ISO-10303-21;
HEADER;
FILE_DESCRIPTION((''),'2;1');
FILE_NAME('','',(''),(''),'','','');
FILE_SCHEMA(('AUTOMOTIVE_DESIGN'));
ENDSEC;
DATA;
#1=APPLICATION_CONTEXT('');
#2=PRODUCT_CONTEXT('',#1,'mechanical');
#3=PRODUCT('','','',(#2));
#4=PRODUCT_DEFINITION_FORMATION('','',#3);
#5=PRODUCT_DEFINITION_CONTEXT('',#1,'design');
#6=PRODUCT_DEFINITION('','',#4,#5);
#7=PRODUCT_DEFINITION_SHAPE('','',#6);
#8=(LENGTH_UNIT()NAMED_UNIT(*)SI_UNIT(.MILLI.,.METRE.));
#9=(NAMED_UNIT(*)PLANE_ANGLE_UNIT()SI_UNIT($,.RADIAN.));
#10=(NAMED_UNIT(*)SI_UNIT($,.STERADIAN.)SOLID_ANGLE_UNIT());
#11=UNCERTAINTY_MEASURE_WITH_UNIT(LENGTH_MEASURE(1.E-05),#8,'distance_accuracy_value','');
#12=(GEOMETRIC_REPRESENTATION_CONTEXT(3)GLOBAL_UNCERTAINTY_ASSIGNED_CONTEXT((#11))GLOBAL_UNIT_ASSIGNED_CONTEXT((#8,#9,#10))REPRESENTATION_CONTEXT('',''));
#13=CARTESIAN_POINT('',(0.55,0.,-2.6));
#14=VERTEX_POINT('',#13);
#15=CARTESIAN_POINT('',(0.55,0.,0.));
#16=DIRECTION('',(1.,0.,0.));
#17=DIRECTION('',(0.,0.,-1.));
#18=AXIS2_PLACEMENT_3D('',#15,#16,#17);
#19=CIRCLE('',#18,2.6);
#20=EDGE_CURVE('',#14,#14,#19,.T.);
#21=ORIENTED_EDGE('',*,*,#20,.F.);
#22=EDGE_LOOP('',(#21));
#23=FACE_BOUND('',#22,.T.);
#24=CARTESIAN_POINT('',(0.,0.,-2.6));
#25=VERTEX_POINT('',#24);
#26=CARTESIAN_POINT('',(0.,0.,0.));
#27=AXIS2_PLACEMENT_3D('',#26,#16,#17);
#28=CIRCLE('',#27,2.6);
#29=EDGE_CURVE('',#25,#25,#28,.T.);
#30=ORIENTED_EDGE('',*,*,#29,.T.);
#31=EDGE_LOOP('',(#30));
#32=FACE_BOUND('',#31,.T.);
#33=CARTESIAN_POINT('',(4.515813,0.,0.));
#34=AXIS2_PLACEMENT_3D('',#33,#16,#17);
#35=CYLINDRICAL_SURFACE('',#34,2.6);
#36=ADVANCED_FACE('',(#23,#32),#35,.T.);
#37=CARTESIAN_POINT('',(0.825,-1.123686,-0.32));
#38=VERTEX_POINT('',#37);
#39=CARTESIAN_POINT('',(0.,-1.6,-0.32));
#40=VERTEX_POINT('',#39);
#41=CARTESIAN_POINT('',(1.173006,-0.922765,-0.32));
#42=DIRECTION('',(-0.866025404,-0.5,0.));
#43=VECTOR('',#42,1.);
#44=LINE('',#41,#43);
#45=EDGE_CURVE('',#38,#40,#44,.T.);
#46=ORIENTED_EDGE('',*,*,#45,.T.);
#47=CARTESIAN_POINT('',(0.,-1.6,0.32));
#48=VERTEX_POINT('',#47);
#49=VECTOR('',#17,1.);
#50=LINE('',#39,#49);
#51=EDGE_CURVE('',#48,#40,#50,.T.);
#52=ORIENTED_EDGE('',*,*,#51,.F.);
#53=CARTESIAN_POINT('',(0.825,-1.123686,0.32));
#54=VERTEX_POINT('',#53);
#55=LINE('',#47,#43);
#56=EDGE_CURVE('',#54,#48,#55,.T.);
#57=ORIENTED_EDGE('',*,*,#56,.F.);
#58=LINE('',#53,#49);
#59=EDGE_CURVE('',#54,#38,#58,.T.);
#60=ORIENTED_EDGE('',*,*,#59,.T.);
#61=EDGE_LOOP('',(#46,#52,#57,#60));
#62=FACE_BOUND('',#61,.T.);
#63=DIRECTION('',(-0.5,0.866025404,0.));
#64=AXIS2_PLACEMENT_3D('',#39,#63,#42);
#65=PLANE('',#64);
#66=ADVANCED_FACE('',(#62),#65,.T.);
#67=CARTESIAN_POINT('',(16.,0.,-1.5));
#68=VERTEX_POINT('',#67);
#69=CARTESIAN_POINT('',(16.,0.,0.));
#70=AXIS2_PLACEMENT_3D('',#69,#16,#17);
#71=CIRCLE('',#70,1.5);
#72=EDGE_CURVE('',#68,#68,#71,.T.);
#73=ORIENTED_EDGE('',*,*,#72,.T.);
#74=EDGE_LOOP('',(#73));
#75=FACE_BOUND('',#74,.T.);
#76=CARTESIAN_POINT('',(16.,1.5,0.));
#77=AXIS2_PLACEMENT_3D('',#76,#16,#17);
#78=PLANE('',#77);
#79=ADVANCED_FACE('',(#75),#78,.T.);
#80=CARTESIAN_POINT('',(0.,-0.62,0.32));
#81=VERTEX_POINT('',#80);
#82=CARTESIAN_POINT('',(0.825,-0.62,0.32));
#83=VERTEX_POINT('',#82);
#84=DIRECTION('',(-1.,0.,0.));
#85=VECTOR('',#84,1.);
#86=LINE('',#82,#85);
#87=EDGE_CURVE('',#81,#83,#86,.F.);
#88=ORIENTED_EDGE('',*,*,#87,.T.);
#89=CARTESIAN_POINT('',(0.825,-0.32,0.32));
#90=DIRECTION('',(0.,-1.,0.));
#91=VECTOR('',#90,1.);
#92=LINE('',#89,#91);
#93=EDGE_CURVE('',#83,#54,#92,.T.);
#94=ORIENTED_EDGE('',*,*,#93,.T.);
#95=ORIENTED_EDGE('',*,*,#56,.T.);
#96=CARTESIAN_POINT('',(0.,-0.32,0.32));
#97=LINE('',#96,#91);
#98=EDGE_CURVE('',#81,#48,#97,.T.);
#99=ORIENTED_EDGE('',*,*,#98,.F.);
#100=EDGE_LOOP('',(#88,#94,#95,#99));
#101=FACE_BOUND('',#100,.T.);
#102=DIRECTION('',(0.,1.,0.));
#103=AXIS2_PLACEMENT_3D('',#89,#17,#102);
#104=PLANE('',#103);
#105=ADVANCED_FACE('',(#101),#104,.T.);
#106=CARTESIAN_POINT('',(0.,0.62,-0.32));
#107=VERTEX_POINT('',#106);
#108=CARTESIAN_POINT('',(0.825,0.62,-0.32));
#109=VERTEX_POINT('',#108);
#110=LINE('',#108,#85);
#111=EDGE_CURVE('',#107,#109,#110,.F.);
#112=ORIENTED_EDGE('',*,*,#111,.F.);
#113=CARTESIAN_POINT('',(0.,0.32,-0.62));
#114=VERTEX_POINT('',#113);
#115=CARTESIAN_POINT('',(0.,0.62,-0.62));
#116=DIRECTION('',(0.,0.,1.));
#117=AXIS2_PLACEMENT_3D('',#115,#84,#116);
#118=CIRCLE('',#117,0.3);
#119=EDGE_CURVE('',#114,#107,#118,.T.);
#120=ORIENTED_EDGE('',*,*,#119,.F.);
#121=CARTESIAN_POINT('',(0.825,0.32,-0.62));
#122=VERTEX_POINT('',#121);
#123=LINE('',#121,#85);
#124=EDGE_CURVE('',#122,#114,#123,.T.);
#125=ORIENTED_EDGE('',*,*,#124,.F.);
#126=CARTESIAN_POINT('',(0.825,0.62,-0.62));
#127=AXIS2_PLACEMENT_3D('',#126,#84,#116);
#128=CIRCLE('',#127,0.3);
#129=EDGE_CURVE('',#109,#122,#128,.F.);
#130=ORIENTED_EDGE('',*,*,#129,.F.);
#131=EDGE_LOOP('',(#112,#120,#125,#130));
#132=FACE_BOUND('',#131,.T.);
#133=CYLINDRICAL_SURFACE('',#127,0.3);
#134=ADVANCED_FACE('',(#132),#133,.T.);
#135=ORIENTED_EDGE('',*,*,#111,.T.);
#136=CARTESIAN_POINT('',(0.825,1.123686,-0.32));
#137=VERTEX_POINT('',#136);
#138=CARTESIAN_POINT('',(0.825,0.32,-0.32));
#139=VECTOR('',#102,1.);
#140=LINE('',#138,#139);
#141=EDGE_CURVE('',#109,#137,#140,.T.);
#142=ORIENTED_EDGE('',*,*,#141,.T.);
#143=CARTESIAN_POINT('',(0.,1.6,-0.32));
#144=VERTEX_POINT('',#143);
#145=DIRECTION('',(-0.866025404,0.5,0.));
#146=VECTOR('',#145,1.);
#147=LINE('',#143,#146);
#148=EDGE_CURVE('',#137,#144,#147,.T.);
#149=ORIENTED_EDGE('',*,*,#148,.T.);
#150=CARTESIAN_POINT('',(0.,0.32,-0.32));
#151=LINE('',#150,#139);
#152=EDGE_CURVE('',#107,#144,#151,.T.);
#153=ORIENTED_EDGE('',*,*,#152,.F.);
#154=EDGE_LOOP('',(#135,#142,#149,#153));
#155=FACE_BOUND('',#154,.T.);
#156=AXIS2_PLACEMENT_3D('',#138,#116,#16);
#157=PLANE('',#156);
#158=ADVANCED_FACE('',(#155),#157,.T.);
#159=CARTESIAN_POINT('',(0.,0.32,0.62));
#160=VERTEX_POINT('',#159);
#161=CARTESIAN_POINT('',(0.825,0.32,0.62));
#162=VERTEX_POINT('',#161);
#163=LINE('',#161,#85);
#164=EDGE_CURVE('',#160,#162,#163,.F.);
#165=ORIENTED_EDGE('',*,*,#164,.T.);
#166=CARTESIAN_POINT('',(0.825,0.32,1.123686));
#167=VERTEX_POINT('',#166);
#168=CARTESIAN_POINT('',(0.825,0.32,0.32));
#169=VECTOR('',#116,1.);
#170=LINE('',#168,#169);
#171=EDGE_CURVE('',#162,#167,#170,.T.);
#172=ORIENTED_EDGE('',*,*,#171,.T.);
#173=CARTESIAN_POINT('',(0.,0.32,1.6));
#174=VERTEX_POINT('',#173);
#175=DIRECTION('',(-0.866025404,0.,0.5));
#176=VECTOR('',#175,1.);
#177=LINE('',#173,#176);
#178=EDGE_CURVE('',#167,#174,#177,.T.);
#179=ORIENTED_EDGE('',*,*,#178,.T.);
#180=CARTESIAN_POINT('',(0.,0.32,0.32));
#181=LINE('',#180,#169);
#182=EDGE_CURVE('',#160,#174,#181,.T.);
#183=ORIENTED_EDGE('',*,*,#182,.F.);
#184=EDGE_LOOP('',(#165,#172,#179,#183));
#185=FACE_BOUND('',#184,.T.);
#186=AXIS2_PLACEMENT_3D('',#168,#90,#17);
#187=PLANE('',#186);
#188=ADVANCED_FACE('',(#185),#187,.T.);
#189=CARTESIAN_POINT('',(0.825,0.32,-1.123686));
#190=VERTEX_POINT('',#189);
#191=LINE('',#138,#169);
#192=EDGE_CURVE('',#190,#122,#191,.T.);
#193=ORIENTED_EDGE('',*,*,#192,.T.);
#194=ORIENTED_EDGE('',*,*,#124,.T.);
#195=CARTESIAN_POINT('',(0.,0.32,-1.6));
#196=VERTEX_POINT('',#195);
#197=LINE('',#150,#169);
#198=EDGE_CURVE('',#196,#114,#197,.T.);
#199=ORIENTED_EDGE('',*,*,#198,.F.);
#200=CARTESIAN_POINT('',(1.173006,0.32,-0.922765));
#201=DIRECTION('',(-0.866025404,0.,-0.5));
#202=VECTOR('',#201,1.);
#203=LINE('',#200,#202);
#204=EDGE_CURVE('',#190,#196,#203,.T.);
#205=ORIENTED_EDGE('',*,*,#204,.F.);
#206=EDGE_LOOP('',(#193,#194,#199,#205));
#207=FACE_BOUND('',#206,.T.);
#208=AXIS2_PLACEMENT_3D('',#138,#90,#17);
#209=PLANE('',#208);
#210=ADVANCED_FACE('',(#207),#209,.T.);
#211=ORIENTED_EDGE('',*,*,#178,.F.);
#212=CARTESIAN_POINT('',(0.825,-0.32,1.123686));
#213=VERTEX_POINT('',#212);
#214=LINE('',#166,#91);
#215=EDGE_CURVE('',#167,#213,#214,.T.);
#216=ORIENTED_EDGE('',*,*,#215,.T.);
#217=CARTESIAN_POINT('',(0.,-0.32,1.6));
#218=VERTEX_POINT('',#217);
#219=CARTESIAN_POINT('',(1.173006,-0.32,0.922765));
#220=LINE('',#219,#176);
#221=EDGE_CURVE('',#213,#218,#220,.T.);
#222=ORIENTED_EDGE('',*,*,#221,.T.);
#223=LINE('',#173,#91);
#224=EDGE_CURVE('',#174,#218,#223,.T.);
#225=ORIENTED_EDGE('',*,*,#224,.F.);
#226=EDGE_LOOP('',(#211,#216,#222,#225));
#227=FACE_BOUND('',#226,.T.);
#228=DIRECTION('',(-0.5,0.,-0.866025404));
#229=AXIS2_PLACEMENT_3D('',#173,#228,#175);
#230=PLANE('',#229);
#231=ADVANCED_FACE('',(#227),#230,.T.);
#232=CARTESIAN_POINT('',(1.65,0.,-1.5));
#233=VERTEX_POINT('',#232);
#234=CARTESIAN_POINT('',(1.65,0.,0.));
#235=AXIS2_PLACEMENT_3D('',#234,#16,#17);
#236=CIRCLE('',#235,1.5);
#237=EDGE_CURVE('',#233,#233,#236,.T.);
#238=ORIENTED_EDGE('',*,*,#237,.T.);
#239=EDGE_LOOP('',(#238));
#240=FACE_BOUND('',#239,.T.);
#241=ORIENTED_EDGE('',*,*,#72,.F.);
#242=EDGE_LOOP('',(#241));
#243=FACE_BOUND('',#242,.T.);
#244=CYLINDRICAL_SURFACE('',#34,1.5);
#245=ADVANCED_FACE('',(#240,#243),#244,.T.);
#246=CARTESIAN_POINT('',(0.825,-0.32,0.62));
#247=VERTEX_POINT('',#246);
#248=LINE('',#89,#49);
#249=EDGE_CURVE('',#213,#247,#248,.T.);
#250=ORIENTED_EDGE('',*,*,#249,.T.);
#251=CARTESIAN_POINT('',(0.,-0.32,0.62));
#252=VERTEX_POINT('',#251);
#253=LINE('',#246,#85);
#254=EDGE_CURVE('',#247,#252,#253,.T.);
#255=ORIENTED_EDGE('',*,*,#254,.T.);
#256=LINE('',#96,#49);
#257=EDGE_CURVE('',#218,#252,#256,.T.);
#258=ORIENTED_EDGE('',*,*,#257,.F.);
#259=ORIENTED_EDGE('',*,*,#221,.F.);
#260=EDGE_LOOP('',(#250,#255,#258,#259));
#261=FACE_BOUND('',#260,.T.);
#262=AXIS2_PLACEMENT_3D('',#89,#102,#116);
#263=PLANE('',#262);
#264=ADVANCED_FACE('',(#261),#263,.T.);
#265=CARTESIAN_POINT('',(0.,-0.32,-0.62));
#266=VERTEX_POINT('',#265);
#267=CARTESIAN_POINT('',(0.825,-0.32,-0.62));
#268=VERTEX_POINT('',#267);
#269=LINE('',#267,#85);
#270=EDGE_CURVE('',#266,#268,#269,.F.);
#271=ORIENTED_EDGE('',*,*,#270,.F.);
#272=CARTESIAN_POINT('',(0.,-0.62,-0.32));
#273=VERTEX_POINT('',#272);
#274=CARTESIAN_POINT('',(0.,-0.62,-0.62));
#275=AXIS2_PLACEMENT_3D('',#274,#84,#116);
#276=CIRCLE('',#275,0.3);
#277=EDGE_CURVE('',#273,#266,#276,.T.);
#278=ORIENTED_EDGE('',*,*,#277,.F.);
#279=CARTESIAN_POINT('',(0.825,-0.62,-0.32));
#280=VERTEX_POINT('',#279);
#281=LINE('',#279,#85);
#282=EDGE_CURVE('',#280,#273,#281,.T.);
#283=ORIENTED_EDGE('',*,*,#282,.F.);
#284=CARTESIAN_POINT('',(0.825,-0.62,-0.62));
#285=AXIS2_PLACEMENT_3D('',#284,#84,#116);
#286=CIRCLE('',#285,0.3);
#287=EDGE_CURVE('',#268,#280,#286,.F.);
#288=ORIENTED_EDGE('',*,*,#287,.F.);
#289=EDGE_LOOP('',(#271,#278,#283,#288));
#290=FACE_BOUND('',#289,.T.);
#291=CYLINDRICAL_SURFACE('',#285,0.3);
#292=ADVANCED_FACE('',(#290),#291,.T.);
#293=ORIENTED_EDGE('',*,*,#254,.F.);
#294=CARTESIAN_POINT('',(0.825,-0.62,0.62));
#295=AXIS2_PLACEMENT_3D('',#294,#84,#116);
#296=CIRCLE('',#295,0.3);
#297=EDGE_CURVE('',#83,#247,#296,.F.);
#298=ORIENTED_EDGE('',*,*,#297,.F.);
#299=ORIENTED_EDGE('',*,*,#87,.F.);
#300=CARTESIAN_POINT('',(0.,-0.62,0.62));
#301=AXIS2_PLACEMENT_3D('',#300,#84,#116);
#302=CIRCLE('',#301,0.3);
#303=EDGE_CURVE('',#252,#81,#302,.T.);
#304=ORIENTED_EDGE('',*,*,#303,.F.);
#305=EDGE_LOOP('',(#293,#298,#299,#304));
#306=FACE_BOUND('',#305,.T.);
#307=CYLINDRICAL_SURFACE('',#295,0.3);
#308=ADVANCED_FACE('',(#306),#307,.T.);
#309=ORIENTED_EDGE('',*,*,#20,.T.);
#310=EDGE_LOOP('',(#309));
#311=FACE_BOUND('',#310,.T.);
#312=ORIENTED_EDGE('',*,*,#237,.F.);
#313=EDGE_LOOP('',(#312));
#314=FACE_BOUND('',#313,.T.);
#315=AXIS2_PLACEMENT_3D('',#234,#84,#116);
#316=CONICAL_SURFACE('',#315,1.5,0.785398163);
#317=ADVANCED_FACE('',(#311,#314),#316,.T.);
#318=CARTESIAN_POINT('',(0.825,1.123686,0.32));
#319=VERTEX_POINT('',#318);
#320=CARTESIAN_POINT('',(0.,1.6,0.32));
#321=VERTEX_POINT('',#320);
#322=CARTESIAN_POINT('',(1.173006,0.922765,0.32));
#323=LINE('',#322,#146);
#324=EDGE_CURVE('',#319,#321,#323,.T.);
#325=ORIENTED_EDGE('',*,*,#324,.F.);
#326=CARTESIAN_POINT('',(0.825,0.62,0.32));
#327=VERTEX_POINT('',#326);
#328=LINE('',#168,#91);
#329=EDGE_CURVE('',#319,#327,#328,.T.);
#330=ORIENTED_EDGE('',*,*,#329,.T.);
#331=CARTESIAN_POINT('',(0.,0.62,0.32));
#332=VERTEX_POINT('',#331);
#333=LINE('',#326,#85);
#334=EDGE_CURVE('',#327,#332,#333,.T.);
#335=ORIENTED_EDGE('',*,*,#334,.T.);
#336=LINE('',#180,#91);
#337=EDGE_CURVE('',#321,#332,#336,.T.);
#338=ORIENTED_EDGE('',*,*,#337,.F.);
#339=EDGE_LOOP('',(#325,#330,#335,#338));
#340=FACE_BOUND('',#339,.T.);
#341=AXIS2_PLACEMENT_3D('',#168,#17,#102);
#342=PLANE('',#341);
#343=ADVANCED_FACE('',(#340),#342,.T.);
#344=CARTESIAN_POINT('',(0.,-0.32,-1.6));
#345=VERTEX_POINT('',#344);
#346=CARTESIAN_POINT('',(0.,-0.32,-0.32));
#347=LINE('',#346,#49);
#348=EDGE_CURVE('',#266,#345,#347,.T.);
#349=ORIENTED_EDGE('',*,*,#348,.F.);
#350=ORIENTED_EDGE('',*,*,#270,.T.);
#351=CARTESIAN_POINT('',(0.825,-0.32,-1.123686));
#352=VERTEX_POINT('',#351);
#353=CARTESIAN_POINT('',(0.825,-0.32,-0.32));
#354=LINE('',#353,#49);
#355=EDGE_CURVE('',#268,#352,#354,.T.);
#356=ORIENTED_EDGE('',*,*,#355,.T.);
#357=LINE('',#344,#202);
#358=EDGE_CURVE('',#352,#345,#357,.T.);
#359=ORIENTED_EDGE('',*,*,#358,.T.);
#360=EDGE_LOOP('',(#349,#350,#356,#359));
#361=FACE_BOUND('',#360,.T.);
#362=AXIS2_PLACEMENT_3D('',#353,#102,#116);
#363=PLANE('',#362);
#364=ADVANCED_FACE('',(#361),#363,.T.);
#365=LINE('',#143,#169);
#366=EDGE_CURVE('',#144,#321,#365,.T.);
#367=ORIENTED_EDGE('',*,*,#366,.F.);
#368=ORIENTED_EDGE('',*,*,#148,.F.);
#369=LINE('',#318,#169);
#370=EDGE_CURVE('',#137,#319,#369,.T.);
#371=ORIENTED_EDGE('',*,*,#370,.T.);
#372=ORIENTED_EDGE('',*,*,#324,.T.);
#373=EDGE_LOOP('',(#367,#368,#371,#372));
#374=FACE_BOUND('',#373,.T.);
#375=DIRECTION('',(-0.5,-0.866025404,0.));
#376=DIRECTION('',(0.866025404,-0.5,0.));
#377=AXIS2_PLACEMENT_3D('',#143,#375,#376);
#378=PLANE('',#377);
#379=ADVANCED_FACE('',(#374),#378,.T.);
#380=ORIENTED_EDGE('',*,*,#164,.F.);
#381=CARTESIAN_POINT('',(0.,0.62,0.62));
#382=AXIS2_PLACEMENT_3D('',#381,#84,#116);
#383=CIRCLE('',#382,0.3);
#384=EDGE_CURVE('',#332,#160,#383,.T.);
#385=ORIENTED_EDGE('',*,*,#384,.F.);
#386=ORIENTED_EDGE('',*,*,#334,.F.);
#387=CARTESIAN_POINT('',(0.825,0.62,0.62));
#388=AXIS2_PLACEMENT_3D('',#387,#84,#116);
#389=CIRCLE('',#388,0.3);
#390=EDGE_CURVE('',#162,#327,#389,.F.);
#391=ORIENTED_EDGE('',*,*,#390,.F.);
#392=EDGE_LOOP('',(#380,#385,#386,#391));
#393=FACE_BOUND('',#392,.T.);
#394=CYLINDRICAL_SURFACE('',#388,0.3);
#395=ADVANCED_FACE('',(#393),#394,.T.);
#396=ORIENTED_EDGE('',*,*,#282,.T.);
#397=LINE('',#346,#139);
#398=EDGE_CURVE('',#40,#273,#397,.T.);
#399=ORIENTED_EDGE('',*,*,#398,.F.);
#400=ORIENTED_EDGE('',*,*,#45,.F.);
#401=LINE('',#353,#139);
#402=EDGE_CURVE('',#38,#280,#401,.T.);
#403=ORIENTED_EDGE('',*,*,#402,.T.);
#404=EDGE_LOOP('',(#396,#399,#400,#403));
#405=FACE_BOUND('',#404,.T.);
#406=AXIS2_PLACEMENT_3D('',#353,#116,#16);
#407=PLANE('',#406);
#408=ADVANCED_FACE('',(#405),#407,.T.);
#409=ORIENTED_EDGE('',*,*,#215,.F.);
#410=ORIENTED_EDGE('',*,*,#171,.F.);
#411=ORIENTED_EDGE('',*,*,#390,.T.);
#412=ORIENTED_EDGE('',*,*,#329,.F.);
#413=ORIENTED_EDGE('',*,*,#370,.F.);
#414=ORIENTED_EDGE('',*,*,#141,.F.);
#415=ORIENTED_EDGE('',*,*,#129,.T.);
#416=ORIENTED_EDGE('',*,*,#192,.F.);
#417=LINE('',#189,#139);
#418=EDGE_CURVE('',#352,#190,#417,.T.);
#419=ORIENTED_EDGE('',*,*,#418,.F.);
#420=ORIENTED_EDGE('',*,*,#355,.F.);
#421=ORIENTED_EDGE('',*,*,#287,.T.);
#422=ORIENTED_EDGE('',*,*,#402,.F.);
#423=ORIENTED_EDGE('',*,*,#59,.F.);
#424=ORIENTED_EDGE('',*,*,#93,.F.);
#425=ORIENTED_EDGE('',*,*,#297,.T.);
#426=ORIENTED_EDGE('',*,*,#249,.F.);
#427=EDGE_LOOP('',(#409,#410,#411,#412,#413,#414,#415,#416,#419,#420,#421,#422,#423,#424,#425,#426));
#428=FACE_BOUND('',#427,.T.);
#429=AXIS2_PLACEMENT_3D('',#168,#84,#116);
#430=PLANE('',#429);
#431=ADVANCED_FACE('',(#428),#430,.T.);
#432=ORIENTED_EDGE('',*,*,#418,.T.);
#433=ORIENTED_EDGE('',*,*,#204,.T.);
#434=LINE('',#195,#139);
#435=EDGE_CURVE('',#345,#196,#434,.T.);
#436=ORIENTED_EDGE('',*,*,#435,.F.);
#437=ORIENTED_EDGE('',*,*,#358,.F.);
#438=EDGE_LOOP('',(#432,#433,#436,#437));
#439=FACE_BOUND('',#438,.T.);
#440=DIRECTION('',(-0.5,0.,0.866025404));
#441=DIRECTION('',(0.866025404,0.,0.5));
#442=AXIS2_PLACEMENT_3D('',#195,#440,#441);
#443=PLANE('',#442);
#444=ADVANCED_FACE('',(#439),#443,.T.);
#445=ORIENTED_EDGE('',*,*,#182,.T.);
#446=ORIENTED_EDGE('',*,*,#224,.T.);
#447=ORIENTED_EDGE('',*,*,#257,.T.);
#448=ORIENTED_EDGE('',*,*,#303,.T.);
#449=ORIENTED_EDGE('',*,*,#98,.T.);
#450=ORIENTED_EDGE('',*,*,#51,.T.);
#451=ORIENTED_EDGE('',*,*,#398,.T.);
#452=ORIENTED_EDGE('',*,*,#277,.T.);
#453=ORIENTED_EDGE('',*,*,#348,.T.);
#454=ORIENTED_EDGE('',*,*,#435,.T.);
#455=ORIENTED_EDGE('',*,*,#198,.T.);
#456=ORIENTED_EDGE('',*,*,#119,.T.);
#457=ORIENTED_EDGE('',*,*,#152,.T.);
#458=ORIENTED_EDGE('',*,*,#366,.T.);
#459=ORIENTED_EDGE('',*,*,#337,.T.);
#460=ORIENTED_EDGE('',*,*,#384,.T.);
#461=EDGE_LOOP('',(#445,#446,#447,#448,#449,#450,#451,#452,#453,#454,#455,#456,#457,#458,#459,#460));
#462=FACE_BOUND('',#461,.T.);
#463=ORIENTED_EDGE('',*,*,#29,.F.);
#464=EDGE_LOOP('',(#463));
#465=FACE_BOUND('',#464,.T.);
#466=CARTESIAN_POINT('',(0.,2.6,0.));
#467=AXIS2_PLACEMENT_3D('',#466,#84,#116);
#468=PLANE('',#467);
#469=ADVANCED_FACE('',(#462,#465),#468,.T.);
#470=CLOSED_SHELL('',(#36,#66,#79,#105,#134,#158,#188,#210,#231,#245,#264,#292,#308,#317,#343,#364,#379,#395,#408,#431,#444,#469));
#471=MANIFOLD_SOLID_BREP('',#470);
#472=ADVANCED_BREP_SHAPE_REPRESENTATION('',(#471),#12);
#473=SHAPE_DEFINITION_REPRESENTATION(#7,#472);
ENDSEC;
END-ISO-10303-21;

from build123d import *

# Parameters (mm, degrees)
CROSSRECESS_DEPTH = 0.825
DRAFT9_ANGLE      = 30
FILLET5_R         = 0.3


with BuildPart() as part:
    # Sketch1 → Base (revolve)
    with BuildSketch(Plane.XY, mode=Mode.PRIVATE) as base_sk:
        Polygon((16, 1.5), (2.65, 1.5), (1.65, 1.5), (0.55, 2.6), (0, 2.6), (0, 0), (16, 0), align=None)
    revolve(base_sk.sketch.rotate(Axis((4.515812911, 0, 0), (-1, 0, 0)), 90), axis=Axis((4.515812911, 0, 0), (-1, 0, 0)))

    # Sketch6 → CrossRecess (cut)
    with BuildSketch(Plane(origin=(0, 0, 0), x_dir=(0, 0, -1), z_dir=(1, 0, 0))):
        Polygon((0.32, 0.32), (0.32, 1.6), (-0.32, 1.6), (-0.32, 0.32), (-1.6, 0.32), (-1.6, -0.32), (-0.32, -0.32), (-0.32, -1.6), (0.32, -1.6), (0.32, -0.32), (1.6, -0.32), (1.6, 0.32), align=None)
    extrude(amount=CROSSRECESS_DEPTH, mode=Mode.SUBTRACT)

    # Draft9
    draft9_faces = [part.faces().sort_by_distance(p)[0] for p in [
        (0.4125, 1.6, 0),
        (0.4125, 0, 1.6),
        (0.4125, -1.6, 0),
        (0.4125, 0, -1.6),
    ]]
    draft(draft9_faces, Plane(origin=(0, 2.6, 0), x_dir=(0, 0, -1), z_dir=(-1, 0, 0)), DRAFT9_ANGLE)

    # Fillet5
    fillet5_edges = [part.edges().sort_by_distance(p)[0] for p in [
        (0.4125, 0.32, 0.32),
        (0.4125, -0.32, 0.32),
        (0.4125, -0.32, -0.32),
        (0.4125, 0.32, -0.32),
    ]]
    fillet(fillet5_edges, radius=FILLET5_R)


solid = part.part
